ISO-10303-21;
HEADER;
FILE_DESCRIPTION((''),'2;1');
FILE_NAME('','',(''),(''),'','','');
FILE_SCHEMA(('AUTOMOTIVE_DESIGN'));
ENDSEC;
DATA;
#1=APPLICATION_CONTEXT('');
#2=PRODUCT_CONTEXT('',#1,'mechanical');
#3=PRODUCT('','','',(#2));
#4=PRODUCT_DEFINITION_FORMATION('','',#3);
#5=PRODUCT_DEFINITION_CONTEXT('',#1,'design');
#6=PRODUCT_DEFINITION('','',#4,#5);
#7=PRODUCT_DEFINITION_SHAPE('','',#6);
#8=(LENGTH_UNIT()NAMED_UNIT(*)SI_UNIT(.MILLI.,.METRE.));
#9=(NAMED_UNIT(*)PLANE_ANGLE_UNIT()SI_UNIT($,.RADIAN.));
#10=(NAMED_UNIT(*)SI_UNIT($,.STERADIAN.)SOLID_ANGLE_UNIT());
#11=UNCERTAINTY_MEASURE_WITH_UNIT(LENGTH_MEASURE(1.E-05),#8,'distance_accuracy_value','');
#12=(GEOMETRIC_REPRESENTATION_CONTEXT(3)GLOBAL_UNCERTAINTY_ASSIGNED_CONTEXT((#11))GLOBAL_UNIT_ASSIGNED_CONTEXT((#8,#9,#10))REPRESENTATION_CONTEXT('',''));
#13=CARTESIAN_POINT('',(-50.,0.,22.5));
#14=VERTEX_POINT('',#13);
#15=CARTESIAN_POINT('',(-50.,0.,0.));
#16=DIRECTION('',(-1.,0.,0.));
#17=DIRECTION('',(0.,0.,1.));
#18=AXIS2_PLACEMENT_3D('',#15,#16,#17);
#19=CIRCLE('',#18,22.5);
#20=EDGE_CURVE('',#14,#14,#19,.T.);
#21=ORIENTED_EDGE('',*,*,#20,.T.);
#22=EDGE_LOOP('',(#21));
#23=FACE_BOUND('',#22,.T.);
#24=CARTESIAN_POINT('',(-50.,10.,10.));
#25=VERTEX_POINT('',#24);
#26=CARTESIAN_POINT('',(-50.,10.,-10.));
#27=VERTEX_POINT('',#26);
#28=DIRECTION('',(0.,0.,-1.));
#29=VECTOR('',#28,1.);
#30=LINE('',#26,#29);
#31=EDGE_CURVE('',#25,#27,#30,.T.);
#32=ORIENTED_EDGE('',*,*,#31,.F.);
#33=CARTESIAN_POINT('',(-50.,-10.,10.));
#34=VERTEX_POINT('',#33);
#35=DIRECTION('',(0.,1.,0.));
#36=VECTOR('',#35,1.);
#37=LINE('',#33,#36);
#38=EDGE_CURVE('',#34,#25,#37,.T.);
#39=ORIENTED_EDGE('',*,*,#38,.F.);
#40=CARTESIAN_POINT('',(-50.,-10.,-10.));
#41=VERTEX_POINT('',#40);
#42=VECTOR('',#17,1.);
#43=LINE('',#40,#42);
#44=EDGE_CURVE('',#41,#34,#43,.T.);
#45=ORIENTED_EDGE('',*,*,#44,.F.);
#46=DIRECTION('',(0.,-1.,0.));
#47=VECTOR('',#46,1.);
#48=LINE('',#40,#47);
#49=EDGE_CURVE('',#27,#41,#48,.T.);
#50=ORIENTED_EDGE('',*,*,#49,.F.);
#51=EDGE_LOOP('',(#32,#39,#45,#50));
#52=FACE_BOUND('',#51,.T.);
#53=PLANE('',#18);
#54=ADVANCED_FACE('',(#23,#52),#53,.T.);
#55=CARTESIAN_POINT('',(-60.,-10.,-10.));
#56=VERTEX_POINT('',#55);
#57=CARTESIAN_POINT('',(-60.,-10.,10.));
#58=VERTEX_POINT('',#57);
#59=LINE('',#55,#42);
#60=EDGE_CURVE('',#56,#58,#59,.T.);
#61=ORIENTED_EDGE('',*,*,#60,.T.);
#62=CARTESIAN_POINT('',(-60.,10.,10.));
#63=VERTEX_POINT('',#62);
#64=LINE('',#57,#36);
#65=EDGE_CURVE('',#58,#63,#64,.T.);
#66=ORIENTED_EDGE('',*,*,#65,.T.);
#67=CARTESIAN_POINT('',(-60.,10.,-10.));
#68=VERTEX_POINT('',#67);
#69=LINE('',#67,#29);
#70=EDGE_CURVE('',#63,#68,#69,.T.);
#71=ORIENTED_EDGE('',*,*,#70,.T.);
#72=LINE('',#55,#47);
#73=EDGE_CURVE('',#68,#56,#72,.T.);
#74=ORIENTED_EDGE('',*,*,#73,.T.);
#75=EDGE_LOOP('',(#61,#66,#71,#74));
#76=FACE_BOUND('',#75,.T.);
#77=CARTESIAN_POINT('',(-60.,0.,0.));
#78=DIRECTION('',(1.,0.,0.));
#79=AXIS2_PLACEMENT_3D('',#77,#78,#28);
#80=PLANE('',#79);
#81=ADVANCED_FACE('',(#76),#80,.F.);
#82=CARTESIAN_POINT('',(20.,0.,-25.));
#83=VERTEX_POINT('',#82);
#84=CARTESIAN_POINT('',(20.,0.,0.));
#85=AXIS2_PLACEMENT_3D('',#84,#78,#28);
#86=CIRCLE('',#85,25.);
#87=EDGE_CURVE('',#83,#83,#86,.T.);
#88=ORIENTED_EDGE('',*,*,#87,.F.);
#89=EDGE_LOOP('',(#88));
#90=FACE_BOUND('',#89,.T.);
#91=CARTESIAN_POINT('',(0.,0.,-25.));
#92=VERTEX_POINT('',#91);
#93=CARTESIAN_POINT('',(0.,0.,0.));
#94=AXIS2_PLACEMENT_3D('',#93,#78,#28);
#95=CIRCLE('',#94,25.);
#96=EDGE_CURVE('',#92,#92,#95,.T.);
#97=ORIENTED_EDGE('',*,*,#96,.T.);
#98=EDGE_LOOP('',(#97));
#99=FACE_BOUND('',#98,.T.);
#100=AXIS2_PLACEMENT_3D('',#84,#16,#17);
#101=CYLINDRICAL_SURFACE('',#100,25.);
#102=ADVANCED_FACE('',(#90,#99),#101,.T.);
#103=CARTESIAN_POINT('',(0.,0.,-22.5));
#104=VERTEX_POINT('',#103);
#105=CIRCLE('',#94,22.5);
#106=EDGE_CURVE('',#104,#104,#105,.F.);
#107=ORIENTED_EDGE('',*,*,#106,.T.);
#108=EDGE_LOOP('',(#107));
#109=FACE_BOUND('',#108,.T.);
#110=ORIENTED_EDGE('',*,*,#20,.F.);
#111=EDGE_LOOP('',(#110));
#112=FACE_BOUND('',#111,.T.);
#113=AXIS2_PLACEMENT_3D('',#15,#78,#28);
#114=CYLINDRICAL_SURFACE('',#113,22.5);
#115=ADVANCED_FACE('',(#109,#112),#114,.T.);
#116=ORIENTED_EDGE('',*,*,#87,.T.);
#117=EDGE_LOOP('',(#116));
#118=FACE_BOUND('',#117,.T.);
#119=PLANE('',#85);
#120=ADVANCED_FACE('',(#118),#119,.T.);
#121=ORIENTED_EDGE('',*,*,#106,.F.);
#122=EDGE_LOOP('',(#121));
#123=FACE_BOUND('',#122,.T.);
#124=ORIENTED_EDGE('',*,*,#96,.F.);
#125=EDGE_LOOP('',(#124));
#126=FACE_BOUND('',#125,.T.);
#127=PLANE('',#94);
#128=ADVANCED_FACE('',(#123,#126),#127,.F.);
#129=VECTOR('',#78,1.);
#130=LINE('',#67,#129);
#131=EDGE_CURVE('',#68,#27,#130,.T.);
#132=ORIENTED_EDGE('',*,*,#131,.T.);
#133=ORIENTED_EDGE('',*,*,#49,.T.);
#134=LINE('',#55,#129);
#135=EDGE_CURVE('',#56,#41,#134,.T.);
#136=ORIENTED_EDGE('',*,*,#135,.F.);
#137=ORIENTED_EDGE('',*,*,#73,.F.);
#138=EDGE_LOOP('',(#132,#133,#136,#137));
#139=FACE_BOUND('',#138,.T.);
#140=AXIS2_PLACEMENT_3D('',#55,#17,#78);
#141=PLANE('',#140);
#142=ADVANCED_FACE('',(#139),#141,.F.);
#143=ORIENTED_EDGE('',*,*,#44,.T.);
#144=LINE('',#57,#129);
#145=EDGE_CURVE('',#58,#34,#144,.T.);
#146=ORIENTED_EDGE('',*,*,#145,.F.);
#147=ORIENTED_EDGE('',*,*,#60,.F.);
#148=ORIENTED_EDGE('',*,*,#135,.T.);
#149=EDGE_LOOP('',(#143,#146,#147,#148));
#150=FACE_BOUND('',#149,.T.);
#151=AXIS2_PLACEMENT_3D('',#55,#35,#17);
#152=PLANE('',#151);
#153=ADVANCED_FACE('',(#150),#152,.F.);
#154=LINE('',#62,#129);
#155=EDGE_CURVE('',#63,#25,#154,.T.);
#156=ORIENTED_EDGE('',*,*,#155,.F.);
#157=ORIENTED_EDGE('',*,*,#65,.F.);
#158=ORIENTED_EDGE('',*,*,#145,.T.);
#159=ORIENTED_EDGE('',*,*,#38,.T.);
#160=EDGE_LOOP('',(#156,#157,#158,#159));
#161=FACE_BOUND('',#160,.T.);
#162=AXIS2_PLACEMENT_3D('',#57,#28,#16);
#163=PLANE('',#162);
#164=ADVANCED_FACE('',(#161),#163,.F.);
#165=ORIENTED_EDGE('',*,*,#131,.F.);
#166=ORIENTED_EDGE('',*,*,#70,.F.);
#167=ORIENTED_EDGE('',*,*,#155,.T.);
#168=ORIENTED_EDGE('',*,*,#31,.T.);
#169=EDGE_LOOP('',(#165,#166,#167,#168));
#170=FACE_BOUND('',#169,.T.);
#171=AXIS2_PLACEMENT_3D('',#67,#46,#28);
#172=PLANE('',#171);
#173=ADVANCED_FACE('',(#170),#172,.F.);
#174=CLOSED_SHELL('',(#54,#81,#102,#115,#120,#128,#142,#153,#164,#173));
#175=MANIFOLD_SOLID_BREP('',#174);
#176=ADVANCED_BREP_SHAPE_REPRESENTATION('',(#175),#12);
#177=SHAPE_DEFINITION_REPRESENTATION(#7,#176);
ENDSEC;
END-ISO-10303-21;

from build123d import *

# Parameters (mm, degrees)
SKETCH_1_R      = 25
EXTRUDE_1_DEPTH = 20
SKETCH_2_W      = 20
SKETCH_2_H      = 20
EXTRUDE_2_DEPTH = 60
SKETCH_3_R      = 22.5
EXTRUDE_3_DEPTH = 50


with BuildPart() as part:
    # 草图1 → 凸台-拉伸1 (new body)
    with BuildSketch(Plane(origin=(0, 0, 0), x_dir=(0, 0, -1), z_dir=(1, 0, 0))):
        Circle(SKETCH_1_R)
    extrude(amount=EXTRUDE_1_DEPTH)

    # 草图2 → 凸台-拉伸2 (add)
    with BuildSketch(Plane.ZY):
        Rectangle(SKETCH_2_W, SKETCH_2_H)
    extrude(amount=EXTRUDE_2_DEPTH)

    # 草图3 → 凸台-拉伸3 (add)
    with BuildSketch(Plane.ZY):
        with Locations(Location((0, 0, 0), (0, 0, 180))):
            Circle(SKETCH_3_R)
    extrude(amount=EXTRUDE_3_DEPTH)


solid = part.part
